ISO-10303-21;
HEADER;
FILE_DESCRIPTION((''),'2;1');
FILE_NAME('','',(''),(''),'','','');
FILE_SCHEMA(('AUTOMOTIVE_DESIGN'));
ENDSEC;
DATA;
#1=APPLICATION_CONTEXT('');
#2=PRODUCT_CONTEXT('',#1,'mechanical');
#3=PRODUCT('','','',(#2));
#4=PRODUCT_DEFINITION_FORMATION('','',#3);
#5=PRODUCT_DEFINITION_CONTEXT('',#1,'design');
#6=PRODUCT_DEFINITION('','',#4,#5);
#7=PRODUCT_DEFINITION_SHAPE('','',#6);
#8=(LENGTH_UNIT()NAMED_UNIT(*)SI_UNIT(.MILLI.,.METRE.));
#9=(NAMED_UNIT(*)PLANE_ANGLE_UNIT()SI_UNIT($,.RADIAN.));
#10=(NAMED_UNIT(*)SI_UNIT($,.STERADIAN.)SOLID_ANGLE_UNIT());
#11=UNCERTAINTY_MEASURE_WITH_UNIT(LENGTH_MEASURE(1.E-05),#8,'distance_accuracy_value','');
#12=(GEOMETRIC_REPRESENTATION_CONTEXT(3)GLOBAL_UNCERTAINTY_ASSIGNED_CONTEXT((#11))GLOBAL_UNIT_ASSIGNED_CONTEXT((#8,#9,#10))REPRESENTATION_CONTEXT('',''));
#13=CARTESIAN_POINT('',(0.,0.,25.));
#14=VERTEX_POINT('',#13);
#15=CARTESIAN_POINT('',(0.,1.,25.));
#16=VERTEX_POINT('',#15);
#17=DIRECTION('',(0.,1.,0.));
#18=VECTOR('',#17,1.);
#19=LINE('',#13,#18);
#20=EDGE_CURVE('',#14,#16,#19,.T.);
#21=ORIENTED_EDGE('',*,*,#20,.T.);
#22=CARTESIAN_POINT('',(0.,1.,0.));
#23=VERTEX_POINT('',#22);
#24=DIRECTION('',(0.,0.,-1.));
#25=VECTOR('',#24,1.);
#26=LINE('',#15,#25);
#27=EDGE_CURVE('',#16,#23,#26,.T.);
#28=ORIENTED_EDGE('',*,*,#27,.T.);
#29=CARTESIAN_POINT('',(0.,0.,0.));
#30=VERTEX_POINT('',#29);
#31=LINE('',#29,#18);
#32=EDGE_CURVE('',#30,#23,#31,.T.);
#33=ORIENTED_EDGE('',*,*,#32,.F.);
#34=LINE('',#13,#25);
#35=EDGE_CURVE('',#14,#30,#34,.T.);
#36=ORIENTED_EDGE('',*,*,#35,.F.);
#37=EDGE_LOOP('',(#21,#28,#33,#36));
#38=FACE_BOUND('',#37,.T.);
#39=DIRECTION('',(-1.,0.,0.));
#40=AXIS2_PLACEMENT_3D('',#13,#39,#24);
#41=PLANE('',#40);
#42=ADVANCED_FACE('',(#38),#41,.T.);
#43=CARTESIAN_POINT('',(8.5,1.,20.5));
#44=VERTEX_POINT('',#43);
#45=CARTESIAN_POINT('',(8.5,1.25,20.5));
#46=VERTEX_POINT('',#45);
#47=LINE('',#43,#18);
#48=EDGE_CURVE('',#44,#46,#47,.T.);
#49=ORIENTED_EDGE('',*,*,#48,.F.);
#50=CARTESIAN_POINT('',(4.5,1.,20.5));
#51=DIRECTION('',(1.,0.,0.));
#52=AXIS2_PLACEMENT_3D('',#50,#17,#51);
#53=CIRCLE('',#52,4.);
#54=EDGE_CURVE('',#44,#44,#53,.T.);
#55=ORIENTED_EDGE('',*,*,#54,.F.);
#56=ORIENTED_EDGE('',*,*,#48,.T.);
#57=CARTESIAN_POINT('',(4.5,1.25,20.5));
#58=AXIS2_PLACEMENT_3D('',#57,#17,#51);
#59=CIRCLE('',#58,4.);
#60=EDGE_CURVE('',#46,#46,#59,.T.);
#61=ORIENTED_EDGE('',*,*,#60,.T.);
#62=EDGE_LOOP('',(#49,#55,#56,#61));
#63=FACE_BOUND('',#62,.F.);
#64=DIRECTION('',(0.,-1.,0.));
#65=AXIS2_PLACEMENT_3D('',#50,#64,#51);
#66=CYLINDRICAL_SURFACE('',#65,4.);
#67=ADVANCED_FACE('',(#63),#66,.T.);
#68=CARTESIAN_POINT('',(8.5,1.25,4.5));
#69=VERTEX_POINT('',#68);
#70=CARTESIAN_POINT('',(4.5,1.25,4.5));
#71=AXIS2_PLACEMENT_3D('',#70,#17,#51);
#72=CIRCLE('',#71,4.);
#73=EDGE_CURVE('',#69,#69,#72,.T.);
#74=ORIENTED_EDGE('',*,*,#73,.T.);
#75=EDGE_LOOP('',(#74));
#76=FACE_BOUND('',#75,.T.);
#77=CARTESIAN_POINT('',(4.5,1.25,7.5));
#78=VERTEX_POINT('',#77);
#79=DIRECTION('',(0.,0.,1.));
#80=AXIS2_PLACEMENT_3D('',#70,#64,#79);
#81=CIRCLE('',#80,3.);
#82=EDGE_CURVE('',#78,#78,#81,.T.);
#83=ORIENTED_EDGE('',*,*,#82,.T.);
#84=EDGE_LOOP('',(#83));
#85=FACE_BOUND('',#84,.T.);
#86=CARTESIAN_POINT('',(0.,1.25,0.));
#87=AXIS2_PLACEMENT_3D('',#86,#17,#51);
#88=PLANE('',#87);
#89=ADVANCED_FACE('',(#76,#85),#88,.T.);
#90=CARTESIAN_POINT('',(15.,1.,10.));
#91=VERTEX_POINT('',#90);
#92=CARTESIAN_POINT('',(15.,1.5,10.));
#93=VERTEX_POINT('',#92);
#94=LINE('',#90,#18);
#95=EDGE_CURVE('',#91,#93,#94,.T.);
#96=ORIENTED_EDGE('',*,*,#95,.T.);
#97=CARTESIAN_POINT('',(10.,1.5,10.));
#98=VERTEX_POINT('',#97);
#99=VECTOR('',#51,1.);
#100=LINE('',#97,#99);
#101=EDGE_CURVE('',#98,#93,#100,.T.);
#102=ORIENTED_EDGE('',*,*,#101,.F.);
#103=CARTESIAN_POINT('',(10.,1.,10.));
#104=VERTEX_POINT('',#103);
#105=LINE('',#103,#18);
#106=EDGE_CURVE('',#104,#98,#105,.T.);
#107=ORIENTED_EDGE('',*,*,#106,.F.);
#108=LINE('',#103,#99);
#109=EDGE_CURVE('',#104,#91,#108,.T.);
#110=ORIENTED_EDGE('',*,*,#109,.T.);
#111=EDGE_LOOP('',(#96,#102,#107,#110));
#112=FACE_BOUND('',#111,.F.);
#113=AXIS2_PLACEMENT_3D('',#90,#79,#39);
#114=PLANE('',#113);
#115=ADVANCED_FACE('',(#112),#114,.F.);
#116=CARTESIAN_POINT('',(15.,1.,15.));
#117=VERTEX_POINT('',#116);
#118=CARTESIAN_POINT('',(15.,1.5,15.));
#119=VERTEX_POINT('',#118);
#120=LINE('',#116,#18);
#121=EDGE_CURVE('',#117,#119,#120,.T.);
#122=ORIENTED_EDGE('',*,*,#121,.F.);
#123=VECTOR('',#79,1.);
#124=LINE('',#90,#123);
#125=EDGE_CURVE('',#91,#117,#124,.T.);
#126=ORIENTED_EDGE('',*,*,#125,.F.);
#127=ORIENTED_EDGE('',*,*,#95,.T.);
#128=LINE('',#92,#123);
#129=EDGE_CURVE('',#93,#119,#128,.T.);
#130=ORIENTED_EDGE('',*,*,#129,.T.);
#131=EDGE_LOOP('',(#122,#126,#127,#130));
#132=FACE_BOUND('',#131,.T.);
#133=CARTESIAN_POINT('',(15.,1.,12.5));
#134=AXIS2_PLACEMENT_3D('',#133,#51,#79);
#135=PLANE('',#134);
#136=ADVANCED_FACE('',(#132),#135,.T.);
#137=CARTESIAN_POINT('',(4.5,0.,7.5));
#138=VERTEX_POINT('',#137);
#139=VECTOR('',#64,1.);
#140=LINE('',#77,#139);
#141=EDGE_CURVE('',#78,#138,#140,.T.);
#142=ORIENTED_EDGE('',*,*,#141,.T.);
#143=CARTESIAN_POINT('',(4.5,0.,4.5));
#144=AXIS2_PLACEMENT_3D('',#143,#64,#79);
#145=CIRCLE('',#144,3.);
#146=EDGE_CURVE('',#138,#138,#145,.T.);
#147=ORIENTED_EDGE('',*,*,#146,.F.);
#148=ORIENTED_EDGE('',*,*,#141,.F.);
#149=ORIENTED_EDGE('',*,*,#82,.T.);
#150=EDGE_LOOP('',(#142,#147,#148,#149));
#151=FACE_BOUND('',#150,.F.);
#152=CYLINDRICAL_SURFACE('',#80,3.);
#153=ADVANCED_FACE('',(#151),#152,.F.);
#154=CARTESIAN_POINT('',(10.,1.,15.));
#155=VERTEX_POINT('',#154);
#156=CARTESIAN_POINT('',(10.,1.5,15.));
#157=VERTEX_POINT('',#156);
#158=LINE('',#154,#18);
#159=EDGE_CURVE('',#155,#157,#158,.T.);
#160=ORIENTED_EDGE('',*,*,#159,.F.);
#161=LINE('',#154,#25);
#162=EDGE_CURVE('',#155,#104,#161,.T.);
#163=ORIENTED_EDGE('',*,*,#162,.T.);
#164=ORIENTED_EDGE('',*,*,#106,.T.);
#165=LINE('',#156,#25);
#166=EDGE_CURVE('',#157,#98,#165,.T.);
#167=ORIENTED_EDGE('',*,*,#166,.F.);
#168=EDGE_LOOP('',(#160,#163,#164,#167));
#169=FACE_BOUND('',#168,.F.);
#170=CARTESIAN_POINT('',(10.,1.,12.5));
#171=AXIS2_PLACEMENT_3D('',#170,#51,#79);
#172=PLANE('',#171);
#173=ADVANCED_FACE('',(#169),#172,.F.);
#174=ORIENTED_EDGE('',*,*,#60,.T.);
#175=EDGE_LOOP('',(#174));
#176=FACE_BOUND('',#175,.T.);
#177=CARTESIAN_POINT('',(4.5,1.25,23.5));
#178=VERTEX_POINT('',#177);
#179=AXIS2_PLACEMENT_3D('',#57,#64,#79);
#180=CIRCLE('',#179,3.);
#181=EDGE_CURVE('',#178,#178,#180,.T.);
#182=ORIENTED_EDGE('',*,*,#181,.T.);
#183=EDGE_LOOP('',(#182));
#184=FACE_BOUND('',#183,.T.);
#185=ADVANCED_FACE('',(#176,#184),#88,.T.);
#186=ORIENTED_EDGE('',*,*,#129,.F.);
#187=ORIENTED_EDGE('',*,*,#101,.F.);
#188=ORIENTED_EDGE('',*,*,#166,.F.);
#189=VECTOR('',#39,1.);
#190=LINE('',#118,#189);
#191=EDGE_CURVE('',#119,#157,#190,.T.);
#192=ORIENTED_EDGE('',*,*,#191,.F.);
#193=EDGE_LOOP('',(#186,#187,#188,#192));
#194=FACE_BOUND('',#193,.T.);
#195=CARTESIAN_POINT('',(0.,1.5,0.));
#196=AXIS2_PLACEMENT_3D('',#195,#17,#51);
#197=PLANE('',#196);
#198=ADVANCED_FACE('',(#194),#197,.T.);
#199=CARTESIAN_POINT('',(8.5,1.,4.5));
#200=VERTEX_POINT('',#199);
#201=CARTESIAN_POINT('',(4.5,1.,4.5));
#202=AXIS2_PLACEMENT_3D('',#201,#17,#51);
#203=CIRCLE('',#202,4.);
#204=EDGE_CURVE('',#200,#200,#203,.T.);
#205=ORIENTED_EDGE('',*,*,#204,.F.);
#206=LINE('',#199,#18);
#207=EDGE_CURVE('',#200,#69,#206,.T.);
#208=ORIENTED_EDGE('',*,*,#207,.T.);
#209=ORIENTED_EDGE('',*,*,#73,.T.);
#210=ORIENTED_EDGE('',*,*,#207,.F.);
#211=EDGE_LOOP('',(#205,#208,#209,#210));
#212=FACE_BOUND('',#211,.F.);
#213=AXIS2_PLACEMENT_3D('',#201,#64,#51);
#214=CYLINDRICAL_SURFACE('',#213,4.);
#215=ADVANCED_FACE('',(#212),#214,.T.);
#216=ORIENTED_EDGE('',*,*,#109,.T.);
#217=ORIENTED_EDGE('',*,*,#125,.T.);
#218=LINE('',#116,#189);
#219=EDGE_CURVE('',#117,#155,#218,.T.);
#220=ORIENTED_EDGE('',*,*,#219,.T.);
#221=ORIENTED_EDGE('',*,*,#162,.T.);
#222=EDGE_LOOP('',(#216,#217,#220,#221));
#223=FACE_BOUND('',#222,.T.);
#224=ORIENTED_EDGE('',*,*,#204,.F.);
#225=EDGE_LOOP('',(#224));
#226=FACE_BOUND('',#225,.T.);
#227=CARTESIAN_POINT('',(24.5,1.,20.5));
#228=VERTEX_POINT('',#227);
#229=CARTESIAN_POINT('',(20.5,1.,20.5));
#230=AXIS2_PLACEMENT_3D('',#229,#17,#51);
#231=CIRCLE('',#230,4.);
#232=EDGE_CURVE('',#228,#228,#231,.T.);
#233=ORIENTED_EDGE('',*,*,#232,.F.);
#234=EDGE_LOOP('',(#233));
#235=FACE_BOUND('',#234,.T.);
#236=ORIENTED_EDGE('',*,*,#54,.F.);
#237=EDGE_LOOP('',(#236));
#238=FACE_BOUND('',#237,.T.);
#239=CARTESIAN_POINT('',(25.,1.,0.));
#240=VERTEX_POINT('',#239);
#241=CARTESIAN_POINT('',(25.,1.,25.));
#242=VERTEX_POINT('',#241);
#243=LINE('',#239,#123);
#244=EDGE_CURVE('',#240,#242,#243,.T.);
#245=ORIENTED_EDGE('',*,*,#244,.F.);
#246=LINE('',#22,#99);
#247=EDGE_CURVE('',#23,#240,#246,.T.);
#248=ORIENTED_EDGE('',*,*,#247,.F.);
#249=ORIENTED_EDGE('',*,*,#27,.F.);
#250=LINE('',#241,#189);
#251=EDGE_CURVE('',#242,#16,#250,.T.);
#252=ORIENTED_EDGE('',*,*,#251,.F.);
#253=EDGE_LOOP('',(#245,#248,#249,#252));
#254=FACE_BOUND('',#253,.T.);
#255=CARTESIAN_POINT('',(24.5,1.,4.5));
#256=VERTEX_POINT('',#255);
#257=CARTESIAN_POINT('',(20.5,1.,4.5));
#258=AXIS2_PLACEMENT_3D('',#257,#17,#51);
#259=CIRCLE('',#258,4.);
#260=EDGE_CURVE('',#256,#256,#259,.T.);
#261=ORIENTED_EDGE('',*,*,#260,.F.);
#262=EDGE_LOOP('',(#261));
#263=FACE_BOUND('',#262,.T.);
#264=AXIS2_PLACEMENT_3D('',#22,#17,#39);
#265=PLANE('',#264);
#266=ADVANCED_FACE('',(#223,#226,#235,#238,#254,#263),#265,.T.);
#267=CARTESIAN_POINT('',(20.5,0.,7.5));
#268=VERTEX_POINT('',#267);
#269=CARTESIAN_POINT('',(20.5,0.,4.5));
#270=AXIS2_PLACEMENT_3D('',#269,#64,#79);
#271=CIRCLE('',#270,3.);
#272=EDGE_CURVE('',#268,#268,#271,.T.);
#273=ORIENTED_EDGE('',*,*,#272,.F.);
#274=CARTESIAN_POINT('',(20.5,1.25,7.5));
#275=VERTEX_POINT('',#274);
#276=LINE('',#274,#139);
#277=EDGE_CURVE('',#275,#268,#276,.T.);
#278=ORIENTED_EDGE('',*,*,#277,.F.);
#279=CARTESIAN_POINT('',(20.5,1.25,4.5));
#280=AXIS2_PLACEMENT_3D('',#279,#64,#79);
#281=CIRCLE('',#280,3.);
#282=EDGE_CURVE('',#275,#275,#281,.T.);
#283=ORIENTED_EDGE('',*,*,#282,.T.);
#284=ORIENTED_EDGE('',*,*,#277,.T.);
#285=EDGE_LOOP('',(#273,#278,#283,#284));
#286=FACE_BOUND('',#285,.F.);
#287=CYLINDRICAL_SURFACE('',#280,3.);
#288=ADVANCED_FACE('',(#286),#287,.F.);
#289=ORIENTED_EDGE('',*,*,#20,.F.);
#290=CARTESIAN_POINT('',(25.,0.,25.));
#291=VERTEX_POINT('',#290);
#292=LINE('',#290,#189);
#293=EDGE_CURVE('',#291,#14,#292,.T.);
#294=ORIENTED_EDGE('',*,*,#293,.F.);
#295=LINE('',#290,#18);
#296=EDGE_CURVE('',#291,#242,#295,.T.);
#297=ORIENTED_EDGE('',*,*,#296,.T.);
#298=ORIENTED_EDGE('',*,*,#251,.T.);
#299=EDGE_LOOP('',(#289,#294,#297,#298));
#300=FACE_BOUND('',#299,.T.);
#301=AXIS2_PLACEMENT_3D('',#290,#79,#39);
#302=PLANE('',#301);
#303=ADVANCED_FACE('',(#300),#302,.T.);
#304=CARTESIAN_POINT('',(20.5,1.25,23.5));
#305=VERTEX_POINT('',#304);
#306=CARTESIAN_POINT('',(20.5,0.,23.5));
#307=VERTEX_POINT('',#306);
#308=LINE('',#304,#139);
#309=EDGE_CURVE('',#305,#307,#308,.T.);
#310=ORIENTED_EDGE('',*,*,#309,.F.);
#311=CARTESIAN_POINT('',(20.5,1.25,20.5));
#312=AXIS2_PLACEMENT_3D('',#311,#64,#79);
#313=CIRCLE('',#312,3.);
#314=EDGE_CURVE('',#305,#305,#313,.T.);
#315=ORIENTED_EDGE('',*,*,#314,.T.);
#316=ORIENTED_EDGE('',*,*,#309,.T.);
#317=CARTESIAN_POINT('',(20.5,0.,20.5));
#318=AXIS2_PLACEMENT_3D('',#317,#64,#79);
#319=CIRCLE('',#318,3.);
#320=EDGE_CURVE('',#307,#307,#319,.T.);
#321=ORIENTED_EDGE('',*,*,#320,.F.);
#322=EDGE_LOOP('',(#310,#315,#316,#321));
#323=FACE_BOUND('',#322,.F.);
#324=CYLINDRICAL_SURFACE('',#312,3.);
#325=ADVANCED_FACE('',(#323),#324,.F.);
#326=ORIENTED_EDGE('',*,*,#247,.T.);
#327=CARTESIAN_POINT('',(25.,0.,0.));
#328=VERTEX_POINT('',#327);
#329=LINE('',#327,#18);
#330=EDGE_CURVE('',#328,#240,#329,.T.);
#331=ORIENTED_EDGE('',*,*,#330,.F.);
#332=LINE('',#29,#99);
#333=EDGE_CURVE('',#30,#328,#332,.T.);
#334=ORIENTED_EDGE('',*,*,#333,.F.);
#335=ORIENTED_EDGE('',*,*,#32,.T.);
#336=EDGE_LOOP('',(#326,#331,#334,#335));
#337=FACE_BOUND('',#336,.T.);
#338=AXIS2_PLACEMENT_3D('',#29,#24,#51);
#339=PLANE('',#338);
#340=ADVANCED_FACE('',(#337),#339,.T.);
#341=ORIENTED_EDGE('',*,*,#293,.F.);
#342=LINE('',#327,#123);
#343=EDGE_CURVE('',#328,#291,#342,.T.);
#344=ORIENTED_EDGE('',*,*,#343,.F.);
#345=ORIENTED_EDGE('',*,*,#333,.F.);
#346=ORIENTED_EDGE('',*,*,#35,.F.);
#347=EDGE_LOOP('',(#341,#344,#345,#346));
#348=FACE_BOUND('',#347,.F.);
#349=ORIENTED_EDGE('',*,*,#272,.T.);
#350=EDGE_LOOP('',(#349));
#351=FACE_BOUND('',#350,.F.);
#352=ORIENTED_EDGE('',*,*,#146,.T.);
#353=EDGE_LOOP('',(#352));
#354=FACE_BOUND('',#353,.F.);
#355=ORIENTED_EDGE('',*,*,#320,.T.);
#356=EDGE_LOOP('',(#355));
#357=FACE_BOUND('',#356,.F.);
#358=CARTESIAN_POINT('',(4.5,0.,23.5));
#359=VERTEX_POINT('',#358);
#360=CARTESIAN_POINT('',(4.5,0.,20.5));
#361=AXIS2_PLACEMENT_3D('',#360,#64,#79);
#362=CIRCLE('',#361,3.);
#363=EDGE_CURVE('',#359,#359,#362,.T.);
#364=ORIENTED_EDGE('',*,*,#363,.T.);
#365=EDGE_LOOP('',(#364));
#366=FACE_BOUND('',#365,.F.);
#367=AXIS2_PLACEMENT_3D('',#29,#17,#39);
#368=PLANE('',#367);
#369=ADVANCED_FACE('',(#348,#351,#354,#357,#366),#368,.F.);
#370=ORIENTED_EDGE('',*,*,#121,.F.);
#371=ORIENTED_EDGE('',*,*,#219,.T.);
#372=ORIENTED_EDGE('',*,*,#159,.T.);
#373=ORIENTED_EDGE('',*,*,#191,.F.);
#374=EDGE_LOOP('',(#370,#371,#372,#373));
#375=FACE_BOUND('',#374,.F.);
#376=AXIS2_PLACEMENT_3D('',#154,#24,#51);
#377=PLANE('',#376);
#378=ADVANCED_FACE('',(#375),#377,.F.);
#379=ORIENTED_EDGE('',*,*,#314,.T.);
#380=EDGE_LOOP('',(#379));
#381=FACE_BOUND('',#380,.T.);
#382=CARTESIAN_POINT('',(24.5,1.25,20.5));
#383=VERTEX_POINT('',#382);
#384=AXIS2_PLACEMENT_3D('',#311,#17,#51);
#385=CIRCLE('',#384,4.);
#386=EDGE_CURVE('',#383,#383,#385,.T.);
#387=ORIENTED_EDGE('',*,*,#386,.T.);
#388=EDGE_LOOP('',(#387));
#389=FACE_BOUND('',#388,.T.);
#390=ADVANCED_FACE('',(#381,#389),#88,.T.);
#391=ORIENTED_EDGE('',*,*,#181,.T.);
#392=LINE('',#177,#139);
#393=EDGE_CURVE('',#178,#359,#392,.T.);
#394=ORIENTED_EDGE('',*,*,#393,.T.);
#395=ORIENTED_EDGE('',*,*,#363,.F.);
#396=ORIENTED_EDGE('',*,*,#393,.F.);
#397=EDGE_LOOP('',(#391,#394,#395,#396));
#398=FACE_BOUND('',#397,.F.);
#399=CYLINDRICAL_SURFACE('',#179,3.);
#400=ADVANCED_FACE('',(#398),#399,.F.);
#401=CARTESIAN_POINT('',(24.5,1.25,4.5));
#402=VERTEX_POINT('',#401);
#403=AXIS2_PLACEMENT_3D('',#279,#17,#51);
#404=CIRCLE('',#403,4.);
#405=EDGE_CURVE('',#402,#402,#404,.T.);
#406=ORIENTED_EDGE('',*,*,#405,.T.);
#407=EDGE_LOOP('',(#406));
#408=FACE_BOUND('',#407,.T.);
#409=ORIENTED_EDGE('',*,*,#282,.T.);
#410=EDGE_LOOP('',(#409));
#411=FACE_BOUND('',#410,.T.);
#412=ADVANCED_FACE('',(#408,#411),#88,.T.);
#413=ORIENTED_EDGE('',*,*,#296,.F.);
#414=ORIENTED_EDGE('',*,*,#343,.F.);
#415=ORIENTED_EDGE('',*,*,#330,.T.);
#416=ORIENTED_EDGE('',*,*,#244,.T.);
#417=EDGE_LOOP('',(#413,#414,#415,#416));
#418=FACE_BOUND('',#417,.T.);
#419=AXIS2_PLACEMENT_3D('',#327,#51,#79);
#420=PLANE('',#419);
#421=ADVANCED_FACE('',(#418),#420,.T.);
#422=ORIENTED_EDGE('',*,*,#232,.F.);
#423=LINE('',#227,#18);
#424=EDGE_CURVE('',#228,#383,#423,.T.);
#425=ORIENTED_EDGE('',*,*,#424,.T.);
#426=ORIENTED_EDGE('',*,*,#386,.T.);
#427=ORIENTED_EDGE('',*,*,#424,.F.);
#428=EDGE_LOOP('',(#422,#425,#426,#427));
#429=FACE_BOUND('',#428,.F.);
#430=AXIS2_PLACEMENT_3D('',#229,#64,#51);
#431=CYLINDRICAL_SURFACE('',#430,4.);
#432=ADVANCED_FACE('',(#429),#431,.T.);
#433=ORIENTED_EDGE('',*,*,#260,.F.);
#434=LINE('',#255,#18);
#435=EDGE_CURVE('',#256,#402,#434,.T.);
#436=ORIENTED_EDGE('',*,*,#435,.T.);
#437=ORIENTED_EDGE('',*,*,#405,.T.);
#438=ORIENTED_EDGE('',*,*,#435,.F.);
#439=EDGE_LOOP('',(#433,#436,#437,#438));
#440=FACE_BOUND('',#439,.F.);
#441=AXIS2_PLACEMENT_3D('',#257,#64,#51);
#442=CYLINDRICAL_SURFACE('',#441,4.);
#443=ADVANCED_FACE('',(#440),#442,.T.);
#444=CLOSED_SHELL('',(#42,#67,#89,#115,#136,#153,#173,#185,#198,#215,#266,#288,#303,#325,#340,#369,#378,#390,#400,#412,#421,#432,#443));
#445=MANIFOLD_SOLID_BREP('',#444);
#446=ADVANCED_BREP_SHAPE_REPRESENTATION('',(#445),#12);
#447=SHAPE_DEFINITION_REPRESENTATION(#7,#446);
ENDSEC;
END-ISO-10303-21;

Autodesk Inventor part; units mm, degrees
ref_plane "YZ Plane" through (0, 0, 0) normal (1, 0, 0) x (0, 1, 0)
ref_plane "XZ Plane" through (0, 0, 0) normal (0, 1, 0) x (-1, 0, 0)
ref_plane "XY Plane" through (0, 0, 0) normal (0, 0, 1) x (1, 0, 0)
sketch "Sketch1" plane through (0, 0, 0) normal (0, 1, 0) x (-1, 0, 0)
  line L0 (0, 0) -> (-25, 0)
  line L1 (-25, 0) -> (-25, 25)
  line L2 (-25, 25) -> (0, 25)
  line L3 (0, 25) -> (0, 0)
  circle A0 centre (-4.5, 4.5) radius 3
  circle A1 centre (-4.5, 20.5) radius 3
  circle A2 centre (-20.5, 20.5) radius 3
  circle A3 centre (-20.5, 4.5) radius 3
  dimension "d0" = 25
  dimension "d1" = 25
  dimension "d8" = 6
  dimension "d9" = 6
  dimension "d10" = 6
  dimension "d11" = 6
extrude "Extrusion1" add sketch "Sketch1" along normal blind 1 contours L0 L1 L2 L3 | A0 | A1 | A2 | A3
sketch "Sketch2" plane through (0, 1, 0) normal (0, 1, 0) x (1, 0, 0)
  line L0 (10, -12.5) -> (10, -15)
  line L1 (10, -15) -> (12.5, -15)
  line L2 (10, -12.5) -> (10, -10)
  line L3 (10, -10) -> (12.5, -10)
  line L4 (15, -12.5) -> (15, -15)
  line L5 (15, -15) -> (12.5, -15)
  line L6 (15, -12.5) -> (15, -10)
  line L7 (15, -10) -> (12.5, -10)
  point P0 (0, 0)
  dimension "d18" = 2.5
  dimension "d19" = 2.5
  dimension "d20" = 2.5
  dimension "d21" = 2.5
  dimension "d22" = 2.5
  dimension "d23" = 2.5
extrude "Extrusion2" add sketch "Sketch2" along normal blind 0.5
sketch "Sketch6" plane through (0, 1, 0) normal (0, 1, 0) x (1, 0, 0)
  circle A0 centre (4.5, -4.5) radius 4
  circle A1 centre (20.5, -4.5) radius 4
  circle A2 centre (4.5, -20.5) radius 4
  circle A3 centre (20.5, -20.5) radius 4
  point P0 (0, 0)
  dimension "d43" = 8
  dimension "d44" = 8
  dimension "d45" = 8
  dimension "d46" = 8
extrude "Extrusion4" add sketch "Sketch6" along normal blind 0.25
sketch "Sketch7" plane through (4.5, 1.25, 20.5) normal (0, 1, 0) x (1, 0, 0)
  circle A0 centre (0, 0) radius 3
  point P0 (-4.5, 20.5)
  dimension "d49" = 6
hole "Hole2" at (4.5, 1.25, 20.5) direction (0, -1, 0) diameter 6 depth 1.25
sketch "Sketch8" plane through (4.5, 1.25, 4.5) normal (0, 1, 0) x (1, 0, 0)
  circle A0 centre (0, 0) radius 3
  point P0 (-4.5, 4.5)
  dimension "d57" = 6
hole "Hole3" at (4.5, 1.25, 4.5) direction (0, -1, 0) diameter 6 depth 1.25
sketch "Sketch9" plane through (20.5, 1.25, 20.5) normal (0, 1, 0) x (1, 0, 0)
  circle A0 centre (0, 0) radius 3
  point P0 (-20.5, 20.5)
  dimension "d65" = 6
hole "Hole4" at (20.5, 1.25, 20.5) direction (0, -1, 0) diameter 6 depth 1.25
sketch "Sketch10" plane through (20.5, 1.25, 4.5) normal (0, 1, 0) x (1, 0, 0)
  circle A0 centre (0, 0) radius 3
  point P0 (-20.5, 4.5)
  dimension "d73" = 6
hole "Hole5" at (20.5, 1.25, 4.5) direction (0, -1, 0) diameter 6 depth 1.25
properties part number "SiPM"
